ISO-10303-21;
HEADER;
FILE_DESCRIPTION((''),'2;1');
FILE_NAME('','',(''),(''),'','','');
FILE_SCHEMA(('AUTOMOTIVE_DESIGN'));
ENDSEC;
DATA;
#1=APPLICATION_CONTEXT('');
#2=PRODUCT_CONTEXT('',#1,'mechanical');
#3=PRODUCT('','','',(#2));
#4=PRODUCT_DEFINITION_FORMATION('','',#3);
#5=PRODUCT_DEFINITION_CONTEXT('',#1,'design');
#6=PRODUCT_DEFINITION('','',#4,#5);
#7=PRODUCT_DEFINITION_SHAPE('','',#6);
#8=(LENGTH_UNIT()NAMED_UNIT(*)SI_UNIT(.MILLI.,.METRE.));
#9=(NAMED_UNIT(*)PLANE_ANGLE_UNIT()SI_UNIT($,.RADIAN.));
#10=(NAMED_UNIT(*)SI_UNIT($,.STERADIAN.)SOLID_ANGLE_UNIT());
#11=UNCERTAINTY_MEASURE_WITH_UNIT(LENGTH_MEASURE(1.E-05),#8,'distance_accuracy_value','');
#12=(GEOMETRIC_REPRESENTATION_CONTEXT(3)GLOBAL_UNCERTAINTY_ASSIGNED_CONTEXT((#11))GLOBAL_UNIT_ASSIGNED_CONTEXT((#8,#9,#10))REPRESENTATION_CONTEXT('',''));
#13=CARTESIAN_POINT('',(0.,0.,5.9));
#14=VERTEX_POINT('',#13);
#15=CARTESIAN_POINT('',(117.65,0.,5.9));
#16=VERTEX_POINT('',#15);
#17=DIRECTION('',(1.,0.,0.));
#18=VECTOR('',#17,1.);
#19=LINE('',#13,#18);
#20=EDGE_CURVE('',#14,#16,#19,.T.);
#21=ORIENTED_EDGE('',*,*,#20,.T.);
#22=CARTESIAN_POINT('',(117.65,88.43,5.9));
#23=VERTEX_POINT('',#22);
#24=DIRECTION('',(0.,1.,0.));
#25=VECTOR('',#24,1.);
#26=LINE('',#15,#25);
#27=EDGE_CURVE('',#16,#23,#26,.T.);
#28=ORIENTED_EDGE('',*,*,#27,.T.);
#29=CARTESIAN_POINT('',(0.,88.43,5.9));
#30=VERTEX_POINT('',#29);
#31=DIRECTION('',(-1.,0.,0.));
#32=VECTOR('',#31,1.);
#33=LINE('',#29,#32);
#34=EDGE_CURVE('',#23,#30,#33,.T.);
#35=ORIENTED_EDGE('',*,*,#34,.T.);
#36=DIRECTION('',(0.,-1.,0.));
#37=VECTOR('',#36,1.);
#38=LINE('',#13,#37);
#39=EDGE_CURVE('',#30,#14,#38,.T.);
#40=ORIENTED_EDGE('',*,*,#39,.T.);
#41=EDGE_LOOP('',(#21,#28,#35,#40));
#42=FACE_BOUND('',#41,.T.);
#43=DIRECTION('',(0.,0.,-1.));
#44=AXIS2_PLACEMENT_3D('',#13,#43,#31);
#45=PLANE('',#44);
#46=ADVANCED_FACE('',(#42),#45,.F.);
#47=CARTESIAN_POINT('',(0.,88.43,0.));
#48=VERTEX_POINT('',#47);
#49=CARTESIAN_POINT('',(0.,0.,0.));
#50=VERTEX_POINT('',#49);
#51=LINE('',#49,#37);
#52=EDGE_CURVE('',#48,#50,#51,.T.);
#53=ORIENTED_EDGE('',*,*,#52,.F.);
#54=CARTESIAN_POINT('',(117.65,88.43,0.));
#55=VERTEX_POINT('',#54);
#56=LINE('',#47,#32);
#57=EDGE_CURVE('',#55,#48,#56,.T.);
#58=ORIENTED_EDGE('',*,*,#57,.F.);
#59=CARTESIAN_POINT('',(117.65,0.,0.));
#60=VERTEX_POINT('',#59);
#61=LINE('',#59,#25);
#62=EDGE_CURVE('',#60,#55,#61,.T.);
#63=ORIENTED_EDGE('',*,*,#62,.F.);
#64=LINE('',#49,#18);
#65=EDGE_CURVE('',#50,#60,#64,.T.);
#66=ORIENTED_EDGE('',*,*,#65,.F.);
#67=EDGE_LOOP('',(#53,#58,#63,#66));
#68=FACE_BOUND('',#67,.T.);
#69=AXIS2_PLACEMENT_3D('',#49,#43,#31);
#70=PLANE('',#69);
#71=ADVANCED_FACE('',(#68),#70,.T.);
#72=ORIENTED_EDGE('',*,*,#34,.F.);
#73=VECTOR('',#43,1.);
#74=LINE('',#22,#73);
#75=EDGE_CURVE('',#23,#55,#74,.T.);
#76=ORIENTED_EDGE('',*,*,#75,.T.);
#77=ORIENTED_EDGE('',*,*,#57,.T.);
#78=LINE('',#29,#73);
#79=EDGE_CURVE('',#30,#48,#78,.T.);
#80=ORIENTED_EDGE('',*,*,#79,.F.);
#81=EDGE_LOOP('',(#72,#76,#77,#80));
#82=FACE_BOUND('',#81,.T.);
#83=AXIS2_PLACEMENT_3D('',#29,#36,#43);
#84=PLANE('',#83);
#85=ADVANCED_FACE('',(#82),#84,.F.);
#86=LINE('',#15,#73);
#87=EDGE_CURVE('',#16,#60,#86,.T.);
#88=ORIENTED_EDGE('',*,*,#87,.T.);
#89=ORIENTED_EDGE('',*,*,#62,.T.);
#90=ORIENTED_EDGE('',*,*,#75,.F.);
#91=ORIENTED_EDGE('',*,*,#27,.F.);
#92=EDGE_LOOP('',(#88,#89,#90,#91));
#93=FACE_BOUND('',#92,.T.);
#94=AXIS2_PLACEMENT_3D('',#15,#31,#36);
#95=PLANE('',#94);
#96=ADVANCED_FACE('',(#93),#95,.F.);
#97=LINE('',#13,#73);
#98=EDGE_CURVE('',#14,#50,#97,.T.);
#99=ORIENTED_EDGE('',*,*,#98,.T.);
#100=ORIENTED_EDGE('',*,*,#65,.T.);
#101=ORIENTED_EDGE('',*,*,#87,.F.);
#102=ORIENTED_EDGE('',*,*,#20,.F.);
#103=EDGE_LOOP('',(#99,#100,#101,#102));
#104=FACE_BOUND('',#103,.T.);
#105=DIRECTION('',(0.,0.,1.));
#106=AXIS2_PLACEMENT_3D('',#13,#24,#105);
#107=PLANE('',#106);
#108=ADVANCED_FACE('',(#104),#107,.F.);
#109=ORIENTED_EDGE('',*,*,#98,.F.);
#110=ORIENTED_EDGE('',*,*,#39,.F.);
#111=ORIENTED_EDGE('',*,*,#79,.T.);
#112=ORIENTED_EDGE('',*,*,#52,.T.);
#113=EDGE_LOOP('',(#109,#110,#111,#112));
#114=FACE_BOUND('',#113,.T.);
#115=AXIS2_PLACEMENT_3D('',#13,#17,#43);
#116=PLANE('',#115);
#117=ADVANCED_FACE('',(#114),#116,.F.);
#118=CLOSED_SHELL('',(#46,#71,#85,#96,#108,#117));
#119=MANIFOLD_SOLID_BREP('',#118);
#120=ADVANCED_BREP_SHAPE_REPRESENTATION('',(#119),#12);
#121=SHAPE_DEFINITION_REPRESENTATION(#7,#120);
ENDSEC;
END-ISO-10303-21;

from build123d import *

# Parameters (mm, degrees)
ESQUISSE1_W        = 117.65
ESQUISSE1_H        = 88.43
BOSS_EXTRU_1_DEPTH = 5.9


with BuildPart() as part:
    # Esquisse1 → Boss.-Extru.1 (new body)
    with BuildSketch(Plane.XY):
        with Locations((58.825, 44.215)):
            Rectangle(ESQUISSE1_W, ESQUISSE1_H)
    extrude(amount=BOSS_EXTRU_1_DEPTH)


solid = part.part
